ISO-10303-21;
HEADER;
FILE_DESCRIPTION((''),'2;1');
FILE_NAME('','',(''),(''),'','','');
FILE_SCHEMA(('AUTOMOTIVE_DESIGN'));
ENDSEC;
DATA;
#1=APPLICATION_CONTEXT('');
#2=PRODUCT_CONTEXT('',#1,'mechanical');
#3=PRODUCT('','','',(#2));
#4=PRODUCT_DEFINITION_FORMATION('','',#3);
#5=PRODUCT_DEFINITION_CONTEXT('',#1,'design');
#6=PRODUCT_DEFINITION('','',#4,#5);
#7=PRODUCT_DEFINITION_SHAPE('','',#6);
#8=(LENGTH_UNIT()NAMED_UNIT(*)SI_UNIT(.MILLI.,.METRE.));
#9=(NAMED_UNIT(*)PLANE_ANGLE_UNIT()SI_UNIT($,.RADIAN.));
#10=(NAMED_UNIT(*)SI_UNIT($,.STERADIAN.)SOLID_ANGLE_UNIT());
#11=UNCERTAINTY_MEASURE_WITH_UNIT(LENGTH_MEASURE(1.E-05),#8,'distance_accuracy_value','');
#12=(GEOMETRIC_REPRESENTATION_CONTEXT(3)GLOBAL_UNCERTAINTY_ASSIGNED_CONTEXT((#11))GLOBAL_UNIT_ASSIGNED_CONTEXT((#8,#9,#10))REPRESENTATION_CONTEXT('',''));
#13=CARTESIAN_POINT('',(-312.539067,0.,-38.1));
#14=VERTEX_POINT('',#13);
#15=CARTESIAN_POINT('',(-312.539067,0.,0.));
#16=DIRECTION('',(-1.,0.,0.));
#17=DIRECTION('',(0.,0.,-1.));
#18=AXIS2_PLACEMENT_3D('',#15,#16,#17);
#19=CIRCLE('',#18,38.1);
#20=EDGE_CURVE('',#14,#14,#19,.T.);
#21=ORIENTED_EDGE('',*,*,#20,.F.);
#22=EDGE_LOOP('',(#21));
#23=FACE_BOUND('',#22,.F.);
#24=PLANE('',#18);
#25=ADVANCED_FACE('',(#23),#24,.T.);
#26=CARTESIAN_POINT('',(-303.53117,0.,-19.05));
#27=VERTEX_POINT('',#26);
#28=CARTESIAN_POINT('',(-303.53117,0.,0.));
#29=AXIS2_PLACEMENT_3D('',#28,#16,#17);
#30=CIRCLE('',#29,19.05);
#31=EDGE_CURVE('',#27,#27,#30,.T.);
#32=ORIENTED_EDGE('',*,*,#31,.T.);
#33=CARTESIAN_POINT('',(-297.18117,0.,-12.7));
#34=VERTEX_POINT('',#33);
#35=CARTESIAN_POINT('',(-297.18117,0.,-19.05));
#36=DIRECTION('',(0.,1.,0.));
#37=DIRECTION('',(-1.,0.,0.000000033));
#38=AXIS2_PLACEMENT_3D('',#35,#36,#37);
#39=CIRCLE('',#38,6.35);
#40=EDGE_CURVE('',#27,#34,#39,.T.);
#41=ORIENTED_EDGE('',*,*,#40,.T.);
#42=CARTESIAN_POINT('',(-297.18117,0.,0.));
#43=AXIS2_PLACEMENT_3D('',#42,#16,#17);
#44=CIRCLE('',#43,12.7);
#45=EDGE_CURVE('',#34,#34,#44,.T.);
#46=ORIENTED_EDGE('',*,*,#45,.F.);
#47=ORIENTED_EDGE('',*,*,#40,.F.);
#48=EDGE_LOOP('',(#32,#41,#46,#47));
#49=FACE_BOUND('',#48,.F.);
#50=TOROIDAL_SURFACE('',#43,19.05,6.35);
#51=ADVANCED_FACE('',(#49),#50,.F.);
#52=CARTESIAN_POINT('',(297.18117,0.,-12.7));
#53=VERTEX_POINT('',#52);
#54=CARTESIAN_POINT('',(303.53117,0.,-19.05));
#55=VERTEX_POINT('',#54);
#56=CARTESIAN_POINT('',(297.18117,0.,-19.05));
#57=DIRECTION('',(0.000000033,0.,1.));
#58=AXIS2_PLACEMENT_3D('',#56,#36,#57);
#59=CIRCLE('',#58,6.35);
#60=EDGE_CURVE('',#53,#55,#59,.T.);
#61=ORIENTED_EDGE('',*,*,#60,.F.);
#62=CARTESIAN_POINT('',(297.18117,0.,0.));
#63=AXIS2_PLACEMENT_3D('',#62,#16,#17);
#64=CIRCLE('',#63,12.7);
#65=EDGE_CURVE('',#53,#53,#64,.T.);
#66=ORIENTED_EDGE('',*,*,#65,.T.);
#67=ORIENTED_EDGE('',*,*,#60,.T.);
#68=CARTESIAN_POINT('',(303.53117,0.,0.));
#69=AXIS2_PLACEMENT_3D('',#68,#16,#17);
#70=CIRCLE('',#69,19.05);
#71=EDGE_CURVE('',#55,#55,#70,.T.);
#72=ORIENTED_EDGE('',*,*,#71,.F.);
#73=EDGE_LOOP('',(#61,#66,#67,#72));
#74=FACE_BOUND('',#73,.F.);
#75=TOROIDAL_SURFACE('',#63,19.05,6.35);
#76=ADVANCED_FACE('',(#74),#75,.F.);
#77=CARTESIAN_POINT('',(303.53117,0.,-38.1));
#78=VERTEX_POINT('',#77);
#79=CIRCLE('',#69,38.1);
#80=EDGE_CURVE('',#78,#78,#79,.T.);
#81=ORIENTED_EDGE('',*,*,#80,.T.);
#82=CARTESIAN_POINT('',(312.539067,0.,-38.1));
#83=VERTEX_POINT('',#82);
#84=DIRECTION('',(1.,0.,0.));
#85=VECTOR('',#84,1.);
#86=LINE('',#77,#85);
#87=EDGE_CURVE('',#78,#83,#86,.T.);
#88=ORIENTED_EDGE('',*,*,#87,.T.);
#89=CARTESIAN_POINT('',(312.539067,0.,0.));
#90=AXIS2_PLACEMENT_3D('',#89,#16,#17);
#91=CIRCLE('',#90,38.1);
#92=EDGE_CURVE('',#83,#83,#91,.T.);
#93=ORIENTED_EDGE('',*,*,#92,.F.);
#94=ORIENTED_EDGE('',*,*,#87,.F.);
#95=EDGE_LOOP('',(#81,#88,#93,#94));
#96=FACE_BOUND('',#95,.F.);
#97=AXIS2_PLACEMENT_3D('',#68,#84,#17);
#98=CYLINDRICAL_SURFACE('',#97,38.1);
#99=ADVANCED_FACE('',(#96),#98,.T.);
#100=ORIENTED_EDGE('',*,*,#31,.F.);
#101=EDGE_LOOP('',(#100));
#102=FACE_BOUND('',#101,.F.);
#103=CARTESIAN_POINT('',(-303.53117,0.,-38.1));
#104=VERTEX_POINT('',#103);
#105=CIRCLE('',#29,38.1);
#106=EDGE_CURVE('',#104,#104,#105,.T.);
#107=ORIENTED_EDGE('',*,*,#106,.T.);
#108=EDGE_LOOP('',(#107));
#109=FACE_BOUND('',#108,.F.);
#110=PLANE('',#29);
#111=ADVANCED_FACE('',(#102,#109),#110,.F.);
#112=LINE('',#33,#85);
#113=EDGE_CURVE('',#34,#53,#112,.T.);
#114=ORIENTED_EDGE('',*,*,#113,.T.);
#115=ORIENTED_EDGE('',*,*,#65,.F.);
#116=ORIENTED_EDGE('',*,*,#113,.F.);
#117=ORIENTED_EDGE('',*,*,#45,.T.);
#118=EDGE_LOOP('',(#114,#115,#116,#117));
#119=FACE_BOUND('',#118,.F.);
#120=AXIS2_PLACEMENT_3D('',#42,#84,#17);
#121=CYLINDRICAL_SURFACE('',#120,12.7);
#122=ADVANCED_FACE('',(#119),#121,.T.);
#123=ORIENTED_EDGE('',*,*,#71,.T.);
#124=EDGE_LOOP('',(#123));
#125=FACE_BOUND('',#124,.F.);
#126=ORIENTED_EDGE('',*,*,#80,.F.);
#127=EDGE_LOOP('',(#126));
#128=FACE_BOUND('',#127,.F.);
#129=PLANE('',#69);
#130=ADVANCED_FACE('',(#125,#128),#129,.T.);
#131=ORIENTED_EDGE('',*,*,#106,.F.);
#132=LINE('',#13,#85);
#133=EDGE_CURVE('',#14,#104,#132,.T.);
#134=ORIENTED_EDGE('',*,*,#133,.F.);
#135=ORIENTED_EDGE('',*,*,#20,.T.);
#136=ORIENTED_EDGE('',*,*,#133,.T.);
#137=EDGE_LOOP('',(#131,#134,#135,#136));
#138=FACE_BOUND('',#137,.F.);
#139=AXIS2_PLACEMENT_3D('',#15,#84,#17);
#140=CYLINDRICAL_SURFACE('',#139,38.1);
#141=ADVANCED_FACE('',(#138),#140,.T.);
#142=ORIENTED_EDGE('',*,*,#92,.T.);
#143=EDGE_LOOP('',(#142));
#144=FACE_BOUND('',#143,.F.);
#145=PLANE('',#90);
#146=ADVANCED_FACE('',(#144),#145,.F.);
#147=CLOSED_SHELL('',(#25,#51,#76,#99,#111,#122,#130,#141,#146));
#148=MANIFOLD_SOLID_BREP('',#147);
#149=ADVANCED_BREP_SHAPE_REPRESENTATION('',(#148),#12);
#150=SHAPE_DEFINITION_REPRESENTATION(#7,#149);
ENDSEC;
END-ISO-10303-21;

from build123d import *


with BuildPart() as f1:
    # F0 (on Front) → F1 (revolve)
    with BuildSketch(Plane.XZ):
        with BuildLine():
            Line((0, -12.7), (0, 0))
            Line((0, 0), (-312.539067, 0))
            Line((-312.539067, 0), (-312.539067, -12.7))
            Line((-312.539067, -12.7), (-312.539067, -38.1))
            Line((-312.539067, -38.1), (-303.53117, -38.1))
            Line((-303.53117, -38.1), (-303.53117, -19.05))
            ThreePointArc((-303.53117, -19.05), (-301.671298, -14.559872), (-297.18117, -12.7))
            Line((-297.18117, -12.7), (0, -12.7))
        make_face()
        with BuildLine():
            Line((312.539067, 0), (0, 0))
            Line((0, 0), (0, -12.7))
            Line((0, -12.7), (297.18117, -12.7))
            ThreePointArc((297.18117, -12.7), (301.671298, -14.559872), (303.53117, -19.05))
            Line((303.53117, -19.05), (303.53117, -38.1))
            Line((303.53117, -38.1), (312.539067, -38.1))
            Line((312.539067, -38.1), (312.539067, -12.7))
            Line((312.539067, -12.7), (312.539067, 0))
        make_face()
    revolve(axis=Axis((-312.241406, 0, 0), (-1, 0, 0)))


solid = f1.part
